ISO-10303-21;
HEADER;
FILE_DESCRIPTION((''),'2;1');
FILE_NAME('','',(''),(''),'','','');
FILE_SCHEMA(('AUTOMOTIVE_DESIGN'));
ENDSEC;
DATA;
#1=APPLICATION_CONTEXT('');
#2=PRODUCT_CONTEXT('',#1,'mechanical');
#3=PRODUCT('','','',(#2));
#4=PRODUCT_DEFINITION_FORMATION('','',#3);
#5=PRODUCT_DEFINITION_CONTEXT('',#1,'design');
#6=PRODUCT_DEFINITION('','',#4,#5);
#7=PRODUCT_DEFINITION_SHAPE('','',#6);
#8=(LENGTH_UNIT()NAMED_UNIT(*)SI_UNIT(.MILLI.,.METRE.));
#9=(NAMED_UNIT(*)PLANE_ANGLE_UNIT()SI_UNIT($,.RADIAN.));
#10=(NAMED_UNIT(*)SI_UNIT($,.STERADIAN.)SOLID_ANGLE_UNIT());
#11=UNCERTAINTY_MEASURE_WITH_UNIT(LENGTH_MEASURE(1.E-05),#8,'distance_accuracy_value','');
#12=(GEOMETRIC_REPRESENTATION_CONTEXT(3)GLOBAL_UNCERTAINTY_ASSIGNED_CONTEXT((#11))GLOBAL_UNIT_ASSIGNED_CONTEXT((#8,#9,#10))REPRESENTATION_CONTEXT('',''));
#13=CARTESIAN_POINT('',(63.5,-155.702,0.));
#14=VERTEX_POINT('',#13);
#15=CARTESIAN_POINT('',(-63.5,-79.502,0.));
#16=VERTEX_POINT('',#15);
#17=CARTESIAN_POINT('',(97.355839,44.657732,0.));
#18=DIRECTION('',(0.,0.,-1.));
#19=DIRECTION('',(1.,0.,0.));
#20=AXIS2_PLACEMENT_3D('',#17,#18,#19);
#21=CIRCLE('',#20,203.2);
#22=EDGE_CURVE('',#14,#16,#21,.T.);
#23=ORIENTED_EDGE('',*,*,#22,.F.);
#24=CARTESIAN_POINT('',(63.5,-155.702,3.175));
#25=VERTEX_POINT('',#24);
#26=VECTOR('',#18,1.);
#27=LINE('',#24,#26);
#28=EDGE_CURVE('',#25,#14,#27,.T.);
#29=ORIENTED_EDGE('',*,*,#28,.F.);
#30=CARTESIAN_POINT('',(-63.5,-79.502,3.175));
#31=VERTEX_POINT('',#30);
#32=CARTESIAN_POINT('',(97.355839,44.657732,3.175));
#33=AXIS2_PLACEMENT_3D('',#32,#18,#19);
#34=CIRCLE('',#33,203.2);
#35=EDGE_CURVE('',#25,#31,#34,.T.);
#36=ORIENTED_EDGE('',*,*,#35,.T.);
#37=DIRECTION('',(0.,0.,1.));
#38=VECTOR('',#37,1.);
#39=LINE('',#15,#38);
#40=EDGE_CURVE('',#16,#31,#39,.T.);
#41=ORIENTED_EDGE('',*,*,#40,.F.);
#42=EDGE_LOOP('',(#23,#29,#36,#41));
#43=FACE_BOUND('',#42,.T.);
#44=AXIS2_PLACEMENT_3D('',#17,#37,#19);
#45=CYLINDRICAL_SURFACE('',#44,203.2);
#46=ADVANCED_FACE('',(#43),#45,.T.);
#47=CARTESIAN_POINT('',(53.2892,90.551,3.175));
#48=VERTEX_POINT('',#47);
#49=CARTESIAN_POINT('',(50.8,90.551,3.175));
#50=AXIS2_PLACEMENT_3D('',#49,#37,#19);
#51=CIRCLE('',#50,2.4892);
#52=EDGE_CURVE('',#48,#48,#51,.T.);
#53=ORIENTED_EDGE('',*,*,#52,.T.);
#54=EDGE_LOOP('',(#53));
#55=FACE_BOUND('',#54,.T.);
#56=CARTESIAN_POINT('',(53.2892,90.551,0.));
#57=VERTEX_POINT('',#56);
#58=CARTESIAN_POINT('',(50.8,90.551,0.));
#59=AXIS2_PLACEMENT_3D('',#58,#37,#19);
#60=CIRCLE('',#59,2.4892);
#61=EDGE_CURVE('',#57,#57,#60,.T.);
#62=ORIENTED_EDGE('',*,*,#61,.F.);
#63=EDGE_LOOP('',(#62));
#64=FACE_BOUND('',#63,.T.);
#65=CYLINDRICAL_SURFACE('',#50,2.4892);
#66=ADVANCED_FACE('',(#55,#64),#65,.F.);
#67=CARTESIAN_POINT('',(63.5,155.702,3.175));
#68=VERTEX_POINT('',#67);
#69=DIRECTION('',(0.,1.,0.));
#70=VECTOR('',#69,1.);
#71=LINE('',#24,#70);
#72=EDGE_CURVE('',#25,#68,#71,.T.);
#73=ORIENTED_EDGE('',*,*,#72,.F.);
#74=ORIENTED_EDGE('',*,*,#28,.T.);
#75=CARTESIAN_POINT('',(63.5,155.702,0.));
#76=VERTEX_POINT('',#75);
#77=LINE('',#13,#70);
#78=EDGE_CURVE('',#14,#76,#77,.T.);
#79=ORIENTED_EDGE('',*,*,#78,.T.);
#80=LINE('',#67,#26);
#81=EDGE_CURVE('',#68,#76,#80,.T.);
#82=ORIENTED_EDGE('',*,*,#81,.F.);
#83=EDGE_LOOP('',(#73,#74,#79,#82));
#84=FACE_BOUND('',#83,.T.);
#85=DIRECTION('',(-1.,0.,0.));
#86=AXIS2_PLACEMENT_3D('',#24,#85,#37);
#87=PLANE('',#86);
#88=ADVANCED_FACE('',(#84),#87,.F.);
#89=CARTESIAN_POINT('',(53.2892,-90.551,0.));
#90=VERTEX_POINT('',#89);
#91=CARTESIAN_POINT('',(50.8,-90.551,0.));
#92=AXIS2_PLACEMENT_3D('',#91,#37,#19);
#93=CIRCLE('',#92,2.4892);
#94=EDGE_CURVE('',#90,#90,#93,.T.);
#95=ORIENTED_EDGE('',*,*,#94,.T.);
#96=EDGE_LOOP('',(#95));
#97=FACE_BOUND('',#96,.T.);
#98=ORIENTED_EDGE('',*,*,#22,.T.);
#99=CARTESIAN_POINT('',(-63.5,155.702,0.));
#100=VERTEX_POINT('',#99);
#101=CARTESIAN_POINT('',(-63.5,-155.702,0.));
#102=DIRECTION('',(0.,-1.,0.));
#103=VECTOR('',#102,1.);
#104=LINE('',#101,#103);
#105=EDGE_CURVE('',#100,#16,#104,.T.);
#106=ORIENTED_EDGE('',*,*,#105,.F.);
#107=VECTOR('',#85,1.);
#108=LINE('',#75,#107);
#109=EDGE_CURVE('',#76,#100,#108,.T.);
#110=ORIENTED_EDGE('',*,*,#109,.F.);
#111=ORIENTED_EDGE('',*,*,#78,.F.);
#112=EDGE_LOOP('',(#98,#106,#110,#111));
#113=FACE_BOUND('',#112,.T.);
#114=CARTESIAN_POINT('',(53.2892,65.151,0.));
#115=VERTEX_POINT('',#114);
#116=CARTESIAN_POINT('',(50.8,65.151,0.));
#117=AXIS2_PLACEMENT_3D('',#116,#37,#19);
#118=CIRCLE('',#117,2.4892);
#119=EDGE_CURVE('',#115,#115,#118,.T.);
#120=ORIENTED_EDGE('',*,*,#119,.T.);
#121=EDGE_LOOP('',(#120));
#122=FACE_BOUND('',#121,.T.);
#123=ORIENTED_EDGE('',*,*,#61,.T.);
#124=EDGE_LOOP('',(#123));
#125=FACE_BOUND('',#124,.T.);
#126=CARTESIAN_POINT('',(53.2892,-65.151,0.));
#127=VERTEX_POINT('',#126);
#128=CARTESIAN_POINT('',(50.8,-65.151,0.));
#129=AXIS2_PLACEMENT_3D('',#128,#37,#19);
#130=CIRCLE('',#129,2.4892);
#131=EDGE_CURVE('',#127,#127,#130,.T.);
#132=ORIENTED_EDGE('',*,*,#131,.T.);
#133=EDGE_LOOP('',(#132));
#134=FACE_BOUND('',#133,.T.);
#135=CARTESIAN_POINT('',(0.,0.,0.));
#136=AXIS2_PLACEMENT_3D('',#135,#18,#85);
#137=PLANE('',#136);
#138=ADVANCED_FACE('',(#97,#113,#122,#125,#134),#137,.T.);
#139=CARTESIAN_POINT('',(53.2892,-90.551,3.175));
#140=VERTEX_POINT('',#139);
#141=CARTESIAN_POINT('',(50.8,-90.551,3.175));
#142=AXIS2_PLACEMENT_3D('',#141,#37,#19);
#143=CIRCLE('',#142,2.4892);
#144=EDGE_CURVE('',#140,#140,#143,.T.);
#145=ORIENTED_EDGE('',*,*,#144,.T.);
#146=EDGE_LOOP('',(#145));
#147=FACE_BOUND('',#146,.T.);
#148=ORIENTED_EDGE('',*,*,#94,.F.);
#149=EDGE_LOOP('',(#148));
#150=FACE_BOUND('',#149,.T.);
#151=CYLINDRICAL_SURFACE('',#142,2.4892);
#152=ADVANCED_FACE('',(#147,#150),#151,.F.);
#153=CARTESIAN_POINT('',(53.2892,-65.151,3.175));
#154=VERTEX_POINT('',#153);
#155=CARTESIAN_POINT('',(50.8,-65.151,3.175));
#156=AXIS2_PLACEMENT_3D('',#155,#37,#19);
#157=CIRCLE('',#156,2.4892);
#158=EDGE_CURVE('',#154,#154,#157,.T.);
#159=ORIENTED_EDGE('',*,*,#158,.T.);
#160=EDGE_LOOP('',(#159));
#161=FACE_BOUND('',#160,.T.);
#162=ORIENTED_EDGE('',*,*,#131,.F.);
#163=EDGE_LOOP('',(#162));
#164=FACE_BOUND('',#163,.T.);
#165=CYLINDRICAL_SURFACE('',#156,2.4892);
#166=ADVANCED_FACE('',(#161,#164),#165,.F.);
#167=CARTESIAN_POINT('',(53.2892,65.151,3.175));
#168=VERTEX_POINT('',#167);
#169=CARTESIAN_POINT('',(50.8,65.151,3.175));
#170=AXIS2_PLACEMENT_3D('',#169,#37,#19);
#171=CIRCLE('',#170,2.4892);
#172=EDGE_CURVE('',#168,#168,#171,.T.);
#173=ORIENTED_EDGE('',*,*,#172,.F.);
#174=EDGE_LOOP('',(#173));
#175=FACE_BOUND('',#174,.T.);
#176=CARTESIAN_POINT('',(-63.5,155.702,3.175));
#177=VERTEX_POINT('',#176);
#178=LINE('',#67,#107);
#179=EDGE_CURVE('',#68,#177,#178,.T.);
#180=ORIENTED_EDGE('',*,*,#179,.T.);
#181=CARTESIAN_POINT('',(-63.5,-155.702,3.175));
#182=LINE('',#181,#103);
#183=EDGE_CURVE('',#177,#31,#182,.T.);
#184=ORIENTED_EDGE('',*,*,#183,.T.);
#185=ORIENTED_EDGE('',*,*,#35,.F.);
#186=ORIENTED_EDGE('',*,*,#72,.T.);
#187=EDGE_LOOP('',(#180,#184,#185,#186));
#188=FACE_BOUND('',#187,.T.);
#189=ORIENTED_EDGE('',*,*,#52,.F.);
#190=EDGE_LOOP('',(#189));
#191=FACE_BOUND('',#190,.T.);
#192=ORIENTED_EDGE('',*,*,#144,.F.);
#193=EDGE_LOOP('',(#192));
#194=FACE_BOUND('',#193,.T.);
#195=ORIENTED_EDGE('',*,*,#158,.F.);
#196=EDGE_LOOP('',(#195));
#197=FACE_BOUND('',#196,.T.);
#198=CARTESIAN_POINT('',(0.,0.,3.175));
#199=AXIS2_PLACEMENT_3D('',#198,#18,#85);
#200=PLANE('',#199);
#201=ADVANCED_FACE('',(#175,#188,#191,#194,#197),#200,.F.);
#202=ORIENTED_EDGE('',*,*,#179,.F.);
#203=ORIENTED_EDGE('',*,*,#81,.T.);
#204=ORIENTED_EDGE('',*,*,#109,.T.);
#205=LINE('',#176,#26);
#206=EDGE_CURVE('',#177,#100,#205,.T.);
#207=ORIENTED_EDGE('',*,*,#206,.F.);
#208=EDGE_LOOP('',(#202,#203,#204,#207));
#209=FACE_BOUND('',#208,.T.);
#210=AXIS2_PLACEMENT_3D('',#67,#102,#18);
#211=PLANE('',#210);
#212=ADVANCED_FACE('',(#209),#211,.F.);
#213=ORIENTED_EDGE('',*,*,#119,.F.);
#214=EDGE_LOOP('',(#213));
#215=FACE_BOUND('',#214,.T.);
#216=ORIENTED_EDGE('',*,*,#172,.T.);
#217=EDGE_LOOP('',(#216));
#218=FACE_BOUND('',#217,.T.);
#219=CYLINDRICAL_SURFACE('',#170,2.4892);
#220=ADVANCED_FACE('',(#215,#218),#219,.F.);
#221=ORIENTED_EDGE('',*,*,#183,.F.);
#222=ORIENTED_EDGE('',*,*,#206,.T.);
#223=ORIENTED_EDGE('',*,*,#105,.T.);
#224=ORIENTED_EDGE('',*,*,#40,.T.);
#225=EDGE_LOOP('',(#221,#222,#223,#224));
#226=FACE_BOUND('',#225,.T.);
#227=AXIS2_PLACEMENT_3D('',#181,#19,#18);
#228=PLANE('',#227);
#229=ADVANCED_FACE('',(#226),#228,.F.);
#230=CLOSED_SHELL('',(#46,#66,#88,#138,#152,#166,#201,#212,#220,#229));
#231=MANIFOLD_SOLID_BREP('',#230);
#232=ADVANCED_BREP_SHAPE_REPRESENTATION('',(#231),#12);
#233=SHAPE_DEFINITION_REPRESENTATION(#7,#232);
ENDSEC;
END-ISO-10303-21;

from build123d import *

# Parameters (mm, degrees)
SKETCH1_W                  = 311.404
SKETCH1_H                  = 127
BOSS_EXTRUDE1_DEPTH        = 3.175
F_9_0_196_DIAMETER_HOLE1_D = 4.9784
CUT_EXTRUDE1_DEPTH         = 169.182767931


with BuildPart() as part:
    # Sketch1 → Boss-Extrude1 (new body)
    with BuildSketch(Plane(origin=(0, 0, 0), x_dir=(0, 1, 0), z_dir=(0, 0, 1))):
        Rectangle(SKETCH1_W, SKETCH1_H)
    extrude(amount=BOSS_EXTRUDE1_DEPTH)

    # #9 (0.196) Diameter Hole1 (through all)
    with Locations(Plane.XY.offset(3.175)):
        with Locations((50.8, 90.551), (50.8, -90.551), (50.8, -65.151), (50.8, 65.151)):
            Hole(F_9_0_196_DIAMETER_HOLE1_D / 2)

    # Sketch4 → Cut-Extrude1 (cut, through all)
    with BuildSketch(Plane.XY.offset(3.175)):
        with BuildLine():
            Line((-63.5, -79.502), (-63.5, -155.702))
            Line((-63.5, -155.702), (63.5, -155.702))
            ThreePointArc((63.5, -155.702), (-7.189698378, -129.58483063), (-63.5, -79.502))
        make_face()
    extrude(amount=-CUT_EXTRUDE1_DEPTH, mode=Mode.SUBTRACT)


solid = part.part
